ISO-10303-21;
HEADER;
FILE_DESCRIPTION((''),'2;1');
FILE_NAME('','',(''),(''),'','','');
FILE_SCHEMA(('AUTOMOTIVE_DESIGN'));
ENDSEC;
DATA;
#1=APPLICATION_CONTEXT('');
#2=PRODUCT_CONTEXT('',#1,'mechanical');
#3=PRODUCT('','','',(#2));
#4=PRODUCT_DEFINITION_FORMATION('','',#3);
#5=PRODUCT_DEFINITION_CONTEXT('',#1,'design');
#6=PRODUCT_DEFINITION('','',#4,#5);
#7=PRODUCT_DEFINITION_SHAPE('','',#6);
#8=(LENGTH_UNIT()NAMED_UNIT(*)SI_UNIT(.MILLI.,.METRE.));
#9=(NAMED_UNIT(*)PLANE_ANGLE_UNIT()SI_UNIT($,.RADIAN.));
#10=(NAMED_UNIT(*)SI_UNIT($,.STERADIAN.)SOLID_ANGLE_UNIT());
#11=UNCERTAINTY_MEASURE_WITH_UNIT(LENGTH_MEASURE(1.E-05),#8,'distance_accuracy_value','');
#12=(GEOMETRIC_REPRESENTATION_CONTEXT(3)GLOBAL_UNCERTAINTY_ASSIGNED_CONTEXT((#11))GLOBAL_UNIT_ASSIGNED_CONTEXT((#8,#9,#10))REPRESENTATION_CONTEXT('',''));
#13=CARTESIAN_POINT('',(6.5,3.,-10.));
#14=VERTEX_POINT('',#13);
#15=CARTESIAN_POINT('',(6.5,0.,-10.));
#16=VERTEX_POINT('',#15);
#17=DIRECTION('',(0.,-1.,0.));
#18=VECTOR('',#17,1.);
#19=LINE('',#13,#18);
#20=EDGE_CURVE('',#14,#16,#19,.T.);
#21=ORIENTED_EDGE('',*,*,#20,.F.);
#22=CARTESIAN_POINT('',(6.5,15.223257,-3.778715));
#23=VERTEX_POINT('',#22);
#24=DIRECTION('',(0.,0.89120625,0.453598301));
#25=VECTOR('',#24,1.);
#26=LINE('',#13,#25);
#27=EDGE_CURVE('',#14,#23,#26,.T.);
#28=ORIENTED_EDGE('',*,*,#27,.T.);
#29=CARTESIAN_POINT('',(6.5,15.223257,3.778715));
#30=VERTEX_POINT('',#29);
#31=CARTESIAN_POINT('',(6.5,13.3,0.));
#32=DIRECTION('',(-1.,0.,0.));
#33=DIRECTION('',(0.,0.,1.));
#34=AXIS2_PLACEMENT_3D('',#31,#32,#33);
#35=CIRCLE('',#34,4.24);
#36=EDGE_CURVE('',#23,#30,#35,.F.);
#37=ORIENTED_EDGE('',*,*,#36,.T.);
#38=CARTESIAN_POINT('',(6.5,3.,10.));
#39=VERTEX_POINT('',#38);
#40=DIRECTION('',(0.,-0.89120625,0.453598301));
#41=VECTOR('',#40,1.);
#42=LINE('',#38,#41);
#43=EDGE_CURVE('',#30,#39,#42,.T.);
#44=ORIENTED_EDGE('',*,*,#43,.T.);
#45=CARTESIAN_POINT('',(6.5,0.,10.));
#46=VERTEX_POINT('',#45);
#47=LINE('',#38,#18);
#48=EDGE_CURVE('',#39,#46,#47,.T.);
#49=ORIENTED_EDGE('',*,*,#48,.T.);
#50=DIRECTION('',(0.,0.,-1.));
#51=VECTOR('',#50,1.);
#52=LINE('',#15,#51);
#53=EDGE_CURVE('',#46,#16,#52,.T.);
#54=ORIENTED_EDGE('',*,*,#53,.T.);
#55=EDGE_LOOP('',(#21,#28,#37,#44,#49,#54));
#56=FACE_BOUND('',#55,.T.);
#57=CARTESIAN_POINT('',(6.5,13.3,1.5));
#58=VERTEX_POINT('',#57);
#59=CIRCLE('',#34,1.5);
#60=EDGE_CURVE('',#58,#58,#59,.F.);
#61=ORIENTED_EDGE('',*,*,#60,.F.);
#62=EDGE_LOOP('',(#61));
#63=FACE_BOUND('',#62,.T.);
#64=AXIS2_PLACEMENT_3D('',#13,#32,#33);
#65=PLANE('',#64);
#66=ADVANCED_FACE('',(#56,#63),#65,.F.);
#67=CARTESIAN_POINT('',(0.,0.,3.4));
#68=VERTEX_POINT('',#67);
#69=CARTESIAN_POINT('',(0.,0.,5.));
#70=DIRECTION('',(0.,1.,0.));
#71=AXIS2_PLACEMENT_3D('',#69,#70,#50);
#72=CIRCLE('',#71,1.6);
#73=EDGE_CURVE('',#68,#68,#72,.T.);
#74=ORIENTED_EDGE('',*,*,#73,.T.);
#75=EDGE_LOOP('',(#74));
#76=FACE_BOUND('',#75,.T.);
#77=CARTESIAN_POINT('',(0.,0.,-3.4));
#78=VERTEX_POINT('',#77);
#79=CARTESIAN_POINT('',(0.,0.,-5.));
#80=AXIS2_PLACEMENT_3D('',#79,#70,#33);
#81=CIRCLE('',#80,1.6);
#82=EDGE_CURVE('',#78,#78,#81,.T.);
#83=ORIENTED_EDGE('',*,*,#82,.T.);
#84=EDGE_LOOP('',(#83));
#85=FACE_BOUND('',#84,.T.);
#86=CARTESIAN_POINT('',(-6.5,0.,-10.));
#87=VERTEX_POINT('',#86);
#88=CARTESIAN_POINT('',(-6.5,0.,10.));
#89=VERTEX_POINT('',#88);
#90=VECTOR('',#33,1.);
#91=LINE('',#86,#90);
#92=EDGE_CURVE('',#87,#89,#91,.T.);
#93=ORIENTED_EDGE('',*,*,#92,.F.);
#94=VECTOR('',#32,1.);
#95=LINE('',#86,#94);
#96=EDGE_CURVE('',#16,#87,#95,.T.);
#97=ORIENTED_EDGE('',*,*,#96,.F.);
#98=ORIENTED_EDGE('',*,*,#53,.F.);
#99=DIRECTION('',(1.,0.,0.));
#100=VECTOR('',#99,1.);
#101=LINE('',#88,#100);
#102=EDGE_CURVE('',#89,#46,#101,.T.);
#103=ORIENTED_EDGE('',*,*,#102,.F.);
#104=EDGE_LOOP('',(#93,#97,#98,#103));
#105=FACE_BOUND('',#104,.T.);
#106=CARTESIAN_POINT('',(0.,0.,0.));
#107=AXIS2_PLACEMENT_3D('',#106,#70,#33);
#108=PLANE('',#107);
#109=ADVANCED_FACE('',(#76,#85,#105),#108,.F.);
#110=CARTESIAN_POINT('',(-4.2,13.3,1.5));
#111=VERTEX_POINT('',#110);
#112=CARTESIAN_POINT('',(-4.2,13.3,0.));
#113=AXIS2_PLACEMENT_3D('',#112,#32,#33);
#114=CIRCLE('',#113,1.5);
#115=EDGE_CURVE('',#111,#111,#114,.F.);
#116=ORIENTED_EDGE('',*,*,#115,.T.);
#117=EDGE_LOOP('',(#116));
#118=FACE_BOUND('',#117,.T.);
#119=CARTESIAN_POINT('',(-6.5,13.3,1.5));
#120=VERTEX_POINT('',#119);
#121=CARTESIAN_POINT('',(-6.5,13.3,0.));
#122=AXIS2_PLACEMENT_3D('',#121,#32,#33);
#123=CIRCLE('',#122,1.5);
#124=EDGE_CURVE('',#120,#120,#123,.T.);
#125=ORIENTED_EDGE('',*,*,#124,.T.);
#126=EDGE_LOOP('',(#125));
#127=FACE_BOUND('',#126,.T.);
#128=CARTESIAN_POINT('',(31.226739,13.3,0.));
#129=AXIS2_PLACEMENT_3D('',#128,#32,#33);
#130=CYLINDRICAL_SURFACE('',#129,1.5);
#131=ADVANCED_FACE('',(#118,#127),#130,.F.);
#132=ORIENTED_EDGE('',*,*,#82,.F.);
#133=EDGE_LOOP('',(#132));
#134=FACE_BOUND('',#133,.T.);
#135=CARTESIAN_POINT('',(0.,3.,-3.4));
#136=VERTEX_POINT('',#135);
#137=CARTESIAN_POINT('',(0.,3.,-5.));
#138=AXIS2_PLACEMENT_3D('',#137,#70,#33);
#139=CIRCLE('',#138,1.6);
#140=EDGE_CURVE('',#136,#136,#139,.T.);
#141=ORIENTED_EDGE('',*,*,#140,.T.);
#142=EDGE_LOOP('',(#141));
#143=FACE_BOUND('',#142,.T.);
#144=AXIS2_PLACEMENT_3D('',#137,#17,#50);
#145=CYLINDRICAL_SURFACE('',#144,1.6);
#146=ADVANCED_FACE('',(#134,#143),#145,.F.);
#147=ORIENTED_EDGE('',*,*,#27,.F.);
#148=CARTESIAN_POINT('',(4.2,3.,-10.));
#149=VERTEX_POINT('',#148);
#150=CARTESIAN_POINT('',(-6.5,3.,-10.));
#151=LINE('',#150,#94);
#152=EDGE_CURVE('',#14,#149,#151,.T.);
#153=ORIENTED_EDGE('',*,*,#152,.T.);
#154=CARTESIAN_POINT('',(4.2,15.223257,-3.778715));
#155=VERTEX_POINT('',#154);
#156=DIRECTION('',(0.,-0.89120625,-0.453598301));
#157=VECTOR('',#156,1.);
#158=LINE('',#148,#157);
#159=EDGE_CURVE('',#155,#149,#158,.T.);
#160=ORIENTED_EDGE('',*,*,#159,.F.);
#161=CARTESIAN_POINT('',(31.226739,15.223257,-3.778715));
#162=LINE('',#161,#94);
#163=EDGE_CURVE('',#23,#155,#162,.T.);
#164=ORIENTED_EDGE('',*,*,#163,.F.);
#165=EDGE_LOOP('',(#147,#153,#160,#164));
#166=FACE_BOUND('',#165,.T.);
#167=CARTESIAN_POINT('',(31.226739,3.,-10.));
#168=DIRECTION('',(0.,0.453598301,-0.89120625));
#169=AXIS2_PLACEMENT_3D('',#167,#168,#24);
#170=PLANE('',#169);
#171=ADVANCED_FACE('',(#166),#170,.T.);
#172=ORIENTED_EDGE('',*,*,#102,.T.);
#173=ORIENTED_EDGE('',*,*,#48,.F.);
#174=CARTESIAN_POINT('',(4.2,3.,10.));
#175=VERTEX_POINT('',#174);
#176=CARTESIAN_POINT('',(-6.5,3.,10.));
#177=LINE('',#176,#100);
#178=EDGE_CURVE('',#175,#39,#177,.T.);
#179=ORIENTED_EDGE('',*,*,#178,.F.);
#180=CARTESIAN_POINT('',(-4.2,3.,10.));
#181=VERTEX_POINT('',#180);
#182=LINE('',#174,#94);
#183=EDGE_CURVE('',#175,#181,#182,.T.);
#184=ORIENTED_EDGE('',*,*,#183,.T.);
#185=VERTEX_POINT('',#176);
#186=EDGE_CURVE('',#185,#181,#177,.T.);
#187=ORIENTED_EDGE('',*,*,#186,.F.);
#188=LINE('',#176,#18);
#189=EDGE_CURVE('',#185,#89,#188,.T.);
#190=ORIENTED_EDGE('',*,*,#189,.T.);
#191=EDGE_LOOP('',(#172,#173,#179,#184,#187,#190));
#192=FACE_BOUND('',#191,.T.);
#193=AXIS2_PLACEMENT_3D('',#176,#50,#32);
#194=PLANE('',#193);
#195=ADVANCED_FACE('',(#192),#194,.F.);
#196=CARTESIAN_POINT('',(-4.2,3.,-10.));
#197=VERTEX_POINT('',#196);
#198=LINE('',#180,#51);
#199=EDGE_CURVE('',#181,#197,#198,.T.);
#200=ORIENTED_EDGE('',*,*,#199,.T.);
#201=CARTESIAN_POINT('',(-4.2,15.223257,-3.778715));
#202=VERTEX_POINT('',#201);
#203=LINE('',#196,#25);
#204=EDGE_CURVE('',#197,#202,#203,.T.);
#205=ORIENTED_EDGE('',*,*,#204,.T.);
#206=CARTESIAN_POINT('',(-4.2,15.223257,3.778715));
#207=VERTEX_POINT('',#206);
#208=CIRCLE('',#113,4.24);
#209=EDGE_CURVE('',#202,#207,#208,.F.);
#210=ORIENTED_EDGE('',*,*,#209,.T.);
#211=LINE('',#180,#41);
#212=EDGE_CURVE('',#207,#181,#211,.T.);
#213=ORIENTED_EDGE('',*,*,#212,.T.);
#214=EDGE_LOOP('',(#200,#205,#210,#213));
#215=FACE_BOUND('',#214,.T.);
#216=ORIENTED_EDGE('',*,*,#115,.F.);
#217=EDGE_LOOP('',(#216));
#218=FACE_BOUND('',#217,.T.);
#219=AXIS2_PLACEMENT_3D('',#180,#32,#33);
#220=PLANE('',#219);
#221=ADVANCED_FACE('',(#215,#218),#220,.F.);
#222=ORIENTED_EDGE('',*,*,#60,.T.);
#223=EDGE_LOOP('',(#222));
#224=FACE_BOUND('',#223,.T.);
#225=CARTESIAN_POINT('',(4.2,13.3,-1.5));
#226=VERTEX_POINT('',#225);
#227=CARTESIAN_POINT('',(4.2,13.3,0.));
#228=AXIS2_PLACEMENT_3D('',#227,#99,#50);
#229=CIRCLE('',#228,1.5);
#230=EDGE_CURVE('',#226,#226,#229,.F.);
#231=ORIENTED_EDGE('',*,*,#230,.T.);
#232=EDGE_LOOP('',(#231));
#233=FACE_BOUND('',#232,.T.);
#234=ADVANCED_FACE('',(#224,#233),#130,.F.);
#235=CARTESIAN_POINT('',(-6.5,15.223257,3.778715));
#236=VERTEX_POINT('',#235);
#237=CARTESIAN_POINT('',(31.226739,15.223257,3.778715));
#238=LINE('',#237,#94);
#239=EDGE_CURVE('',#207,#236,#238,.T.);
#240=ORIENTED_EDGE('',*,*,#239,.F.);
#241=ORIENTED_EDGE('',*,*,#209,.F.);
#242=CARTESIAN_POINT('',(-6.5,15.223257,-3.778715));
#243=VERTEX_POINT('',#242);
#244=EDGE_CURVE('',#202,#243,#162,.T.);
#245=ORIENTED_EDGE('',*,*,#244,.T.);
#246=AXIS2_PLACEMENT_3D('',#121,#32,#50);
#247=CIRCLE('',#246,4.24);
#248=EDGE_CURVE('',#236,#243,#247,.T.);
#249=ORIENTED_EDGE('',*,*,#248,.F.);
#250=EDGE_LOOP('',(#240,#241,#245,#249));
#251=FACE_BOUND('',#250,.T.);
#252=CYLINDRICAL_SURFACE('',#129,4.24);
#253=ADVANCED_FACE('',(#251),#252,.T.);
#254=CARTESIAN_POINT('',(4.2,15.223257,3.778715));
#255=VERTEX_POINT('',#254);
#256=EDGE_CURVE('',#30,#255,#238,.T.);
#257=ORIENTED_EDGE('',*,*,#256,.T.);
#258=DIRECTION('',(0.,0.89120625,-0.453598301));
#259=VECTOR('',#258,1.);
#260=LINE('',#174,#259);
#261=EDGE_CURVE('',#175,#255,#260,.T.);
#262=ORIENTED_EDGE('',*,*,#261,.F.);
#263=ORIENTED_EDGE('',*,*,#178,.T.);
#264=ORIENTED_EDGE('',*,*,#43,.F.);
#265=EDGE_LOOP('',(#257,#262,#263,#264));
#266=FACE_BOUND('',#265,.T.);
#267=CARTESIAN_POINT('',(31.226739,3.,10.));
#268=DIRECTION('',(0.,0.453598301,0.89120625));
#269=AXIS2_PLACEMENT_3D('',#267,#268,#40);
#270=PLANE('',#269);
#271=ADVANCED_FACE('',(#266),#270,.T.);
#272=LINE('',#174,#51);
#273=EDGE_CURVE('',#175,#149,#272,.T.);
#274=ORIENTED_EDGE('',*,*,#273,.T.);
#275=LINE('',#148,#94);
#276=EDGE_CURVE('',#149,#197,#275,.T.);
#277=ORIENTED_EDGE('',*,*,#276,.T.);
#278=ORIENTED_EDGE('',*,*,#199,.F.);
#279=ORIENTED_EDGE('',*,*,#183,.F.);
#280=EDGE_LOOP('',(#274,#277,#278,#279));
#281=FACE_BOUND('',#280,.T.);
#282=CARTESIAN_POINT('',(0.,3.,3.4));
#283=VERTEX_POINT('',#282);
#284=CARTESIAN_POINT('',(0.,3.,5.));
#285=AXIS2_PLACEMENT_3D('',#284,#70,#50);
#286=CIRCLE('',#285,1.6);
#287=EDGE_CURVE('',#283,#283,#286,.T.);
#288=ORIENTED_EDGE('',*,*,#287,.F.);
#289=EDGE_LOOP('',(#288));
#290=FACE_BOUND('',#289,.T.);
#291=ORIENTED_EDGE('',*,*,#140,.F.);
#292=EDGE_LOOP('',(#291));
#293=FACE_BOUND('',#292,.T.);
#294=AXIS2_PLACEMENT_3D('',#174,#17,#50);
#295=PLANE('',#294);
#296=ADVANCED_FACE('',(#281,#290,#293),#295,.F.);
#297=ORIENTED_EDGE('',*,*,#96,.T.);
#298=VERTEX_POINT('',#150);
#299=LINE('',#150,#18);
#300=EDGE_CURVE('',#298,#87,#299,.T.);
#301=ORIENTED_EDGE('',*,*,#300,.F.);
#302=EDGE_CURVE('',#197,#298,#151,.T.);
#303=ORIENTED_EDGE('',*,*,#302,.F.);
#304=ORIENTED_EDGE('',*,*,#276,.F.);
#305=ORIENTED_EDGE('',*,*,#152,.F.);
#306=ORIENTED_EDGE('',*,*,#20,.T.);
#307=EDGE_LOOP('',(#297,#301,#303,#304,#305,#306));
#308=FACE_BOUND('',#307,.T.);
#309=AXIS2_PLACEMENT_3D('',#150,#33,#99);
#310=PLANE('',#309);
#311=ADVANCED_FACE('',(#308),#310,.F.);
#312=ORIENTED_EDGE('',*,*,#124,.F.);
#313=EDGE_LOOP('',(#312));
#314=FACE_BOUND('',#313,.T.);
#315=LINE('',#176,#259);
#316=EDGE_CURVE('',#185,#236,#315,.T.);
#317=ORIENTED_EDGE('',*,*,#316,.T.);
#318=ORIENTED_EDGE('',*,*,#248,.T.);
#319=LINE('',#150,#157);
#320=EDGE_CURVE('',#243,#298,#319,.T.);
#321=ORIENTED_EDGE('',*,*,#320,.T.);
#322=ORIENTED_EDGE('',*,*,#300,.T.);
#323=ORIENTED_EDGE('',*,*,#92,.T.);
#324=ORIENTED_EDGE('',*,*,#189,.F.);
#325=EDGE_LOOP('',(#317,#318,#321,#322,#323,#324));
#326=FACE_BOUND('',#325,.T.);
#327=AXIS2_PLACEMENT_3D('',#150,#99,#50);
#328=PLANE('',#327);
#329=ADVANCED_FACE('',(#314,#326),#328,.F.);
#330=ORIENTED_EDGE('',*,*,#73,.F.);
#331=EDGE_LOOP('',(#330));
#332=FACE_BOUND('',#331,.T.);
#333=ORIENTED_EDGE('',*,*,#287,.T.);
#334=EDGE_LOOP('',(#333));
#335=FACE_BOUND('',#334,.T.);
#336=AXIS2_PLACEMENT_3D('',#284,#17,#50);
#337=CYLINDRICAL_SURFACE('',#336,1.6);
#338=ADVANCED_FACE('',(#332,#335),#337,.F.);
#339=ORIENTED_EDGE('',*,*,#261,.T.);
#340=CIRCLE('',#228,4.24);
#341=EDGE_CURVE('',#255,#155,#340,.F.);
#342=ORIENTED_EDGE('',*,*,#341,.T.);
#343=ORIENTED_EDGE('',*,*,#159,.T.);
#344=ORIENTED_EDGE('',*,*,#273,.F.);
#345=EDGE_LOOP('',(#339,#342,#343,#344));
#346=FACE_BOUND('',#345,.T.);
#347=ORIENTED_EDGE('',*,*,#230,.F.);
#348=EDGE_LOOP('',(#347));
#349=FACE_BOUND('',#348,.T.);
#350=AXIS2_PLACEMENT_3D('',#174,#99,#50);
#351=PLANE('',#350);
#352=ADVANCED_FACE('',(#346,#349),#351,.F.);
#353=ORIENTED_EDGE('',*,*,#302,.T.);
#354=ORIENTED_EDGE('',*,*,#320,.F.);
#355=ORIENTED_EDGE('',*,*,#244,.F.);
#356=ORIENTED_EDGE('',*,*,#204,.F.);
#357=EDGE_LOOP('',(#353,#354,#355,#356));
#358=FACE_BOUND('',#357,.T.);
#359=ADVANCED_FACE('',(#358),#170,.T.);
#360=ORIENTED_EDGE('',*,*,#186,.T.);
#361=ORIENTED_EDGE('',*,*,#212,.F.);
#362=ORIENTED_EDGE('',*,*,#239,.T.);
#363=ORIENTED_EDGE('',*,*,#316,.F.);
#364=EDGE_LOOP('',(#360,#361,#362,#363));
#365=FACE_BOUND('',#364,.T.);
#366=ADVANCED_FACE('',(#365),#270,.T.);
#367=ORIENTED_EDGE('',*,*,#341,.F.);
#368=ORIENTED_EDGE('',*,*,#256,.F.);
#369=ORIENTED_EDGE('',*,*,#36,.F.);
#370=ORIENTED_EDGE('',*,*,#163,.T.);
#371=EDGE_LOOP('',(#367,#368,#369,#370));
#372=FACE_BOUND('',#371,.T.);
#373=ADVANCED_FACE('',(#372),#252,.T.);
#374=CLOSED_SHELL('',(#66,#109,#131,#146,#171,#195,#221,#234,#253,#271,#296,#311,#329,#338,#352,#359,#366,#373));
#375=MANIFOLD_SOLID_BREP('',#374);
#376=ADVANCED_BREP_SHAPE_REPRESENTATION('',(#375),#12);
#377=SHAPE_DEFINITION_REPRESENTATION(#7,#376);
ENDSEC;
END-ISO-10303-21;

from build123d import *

# Parameters (mm, degrees)
SKETCH_1_W          = 13
SKETCH_1_H          = 20
SKETCH_1_R          = 1.6
EXTRUDE_1_DEPTH     = 3
SKETCH_2_R          = 1.5
EXTRUDE_2_DEPTH     = 13
SKETCH_3_W          = 8.4
SKETCH_3_H          = 14.54
CUT_EXTRUDE_1_DEPTH = 28.384331286


with BuildPart() as part:
    # 草图1 → 凸台-拉伸1 (new body)
    with BuildSketch(Plane(origin=(0, 0, 0), x_dir=(1, 0, 0), z_dir=(0, 1, 0))):
        Rectangle(SKETCH_1_W, SKETCH_1_H)
        with Locations(Location((0, 5, 0), (0, 0, 270))):
            Circle(SKETCH_1_R, mode=Mode.SUBTRACT)
        with Locations(Location((0, -5, 0), (0, 0, 90))):
            Circle(SKETCH_1_R, mode=Mode.SUBTRACT)
    extrude(amount=EXTRUDE_1_DEPTH)

    # 草图2 → 凸台-拉伸2 (add)
    with BuildSketch(Plane.ZY.offset(6.5)):
        with BuildLine():
            Line((-10, 3), (10, 3))
            Line((10, 3), (3.778714502, 15.223256798))
            ThreePointArc((3.778714502, 15.223256798), (0, 17.54), (-3.778714502, 15.223256798))
            Line((-3.778714502, 15.223256798), (-10, 3))
        make_face()
        with Locations((0, 13.3)):
            Circle(SKETCH_2_R, mode=Mode.SUBTRACT)
    extrude(amount=-EXTRUDE_2_DEPTH)

    # 草图3 → 切除-拉伸1 (cut, through all)
    with BuildSketch(Plane(origin=(0, 0, -10), x_dir=(-1, 0, 0), z_dir=(0, 0, -1))):
        with Locations((0, 10.27)):
            Rectangle(SKETCH_3_W, SKETCH_3_H)
    extrude(amount=-CUT_EXTRUDE_1_DEPTH, mode=Mode.SUBTRACT)


solid = part.part
